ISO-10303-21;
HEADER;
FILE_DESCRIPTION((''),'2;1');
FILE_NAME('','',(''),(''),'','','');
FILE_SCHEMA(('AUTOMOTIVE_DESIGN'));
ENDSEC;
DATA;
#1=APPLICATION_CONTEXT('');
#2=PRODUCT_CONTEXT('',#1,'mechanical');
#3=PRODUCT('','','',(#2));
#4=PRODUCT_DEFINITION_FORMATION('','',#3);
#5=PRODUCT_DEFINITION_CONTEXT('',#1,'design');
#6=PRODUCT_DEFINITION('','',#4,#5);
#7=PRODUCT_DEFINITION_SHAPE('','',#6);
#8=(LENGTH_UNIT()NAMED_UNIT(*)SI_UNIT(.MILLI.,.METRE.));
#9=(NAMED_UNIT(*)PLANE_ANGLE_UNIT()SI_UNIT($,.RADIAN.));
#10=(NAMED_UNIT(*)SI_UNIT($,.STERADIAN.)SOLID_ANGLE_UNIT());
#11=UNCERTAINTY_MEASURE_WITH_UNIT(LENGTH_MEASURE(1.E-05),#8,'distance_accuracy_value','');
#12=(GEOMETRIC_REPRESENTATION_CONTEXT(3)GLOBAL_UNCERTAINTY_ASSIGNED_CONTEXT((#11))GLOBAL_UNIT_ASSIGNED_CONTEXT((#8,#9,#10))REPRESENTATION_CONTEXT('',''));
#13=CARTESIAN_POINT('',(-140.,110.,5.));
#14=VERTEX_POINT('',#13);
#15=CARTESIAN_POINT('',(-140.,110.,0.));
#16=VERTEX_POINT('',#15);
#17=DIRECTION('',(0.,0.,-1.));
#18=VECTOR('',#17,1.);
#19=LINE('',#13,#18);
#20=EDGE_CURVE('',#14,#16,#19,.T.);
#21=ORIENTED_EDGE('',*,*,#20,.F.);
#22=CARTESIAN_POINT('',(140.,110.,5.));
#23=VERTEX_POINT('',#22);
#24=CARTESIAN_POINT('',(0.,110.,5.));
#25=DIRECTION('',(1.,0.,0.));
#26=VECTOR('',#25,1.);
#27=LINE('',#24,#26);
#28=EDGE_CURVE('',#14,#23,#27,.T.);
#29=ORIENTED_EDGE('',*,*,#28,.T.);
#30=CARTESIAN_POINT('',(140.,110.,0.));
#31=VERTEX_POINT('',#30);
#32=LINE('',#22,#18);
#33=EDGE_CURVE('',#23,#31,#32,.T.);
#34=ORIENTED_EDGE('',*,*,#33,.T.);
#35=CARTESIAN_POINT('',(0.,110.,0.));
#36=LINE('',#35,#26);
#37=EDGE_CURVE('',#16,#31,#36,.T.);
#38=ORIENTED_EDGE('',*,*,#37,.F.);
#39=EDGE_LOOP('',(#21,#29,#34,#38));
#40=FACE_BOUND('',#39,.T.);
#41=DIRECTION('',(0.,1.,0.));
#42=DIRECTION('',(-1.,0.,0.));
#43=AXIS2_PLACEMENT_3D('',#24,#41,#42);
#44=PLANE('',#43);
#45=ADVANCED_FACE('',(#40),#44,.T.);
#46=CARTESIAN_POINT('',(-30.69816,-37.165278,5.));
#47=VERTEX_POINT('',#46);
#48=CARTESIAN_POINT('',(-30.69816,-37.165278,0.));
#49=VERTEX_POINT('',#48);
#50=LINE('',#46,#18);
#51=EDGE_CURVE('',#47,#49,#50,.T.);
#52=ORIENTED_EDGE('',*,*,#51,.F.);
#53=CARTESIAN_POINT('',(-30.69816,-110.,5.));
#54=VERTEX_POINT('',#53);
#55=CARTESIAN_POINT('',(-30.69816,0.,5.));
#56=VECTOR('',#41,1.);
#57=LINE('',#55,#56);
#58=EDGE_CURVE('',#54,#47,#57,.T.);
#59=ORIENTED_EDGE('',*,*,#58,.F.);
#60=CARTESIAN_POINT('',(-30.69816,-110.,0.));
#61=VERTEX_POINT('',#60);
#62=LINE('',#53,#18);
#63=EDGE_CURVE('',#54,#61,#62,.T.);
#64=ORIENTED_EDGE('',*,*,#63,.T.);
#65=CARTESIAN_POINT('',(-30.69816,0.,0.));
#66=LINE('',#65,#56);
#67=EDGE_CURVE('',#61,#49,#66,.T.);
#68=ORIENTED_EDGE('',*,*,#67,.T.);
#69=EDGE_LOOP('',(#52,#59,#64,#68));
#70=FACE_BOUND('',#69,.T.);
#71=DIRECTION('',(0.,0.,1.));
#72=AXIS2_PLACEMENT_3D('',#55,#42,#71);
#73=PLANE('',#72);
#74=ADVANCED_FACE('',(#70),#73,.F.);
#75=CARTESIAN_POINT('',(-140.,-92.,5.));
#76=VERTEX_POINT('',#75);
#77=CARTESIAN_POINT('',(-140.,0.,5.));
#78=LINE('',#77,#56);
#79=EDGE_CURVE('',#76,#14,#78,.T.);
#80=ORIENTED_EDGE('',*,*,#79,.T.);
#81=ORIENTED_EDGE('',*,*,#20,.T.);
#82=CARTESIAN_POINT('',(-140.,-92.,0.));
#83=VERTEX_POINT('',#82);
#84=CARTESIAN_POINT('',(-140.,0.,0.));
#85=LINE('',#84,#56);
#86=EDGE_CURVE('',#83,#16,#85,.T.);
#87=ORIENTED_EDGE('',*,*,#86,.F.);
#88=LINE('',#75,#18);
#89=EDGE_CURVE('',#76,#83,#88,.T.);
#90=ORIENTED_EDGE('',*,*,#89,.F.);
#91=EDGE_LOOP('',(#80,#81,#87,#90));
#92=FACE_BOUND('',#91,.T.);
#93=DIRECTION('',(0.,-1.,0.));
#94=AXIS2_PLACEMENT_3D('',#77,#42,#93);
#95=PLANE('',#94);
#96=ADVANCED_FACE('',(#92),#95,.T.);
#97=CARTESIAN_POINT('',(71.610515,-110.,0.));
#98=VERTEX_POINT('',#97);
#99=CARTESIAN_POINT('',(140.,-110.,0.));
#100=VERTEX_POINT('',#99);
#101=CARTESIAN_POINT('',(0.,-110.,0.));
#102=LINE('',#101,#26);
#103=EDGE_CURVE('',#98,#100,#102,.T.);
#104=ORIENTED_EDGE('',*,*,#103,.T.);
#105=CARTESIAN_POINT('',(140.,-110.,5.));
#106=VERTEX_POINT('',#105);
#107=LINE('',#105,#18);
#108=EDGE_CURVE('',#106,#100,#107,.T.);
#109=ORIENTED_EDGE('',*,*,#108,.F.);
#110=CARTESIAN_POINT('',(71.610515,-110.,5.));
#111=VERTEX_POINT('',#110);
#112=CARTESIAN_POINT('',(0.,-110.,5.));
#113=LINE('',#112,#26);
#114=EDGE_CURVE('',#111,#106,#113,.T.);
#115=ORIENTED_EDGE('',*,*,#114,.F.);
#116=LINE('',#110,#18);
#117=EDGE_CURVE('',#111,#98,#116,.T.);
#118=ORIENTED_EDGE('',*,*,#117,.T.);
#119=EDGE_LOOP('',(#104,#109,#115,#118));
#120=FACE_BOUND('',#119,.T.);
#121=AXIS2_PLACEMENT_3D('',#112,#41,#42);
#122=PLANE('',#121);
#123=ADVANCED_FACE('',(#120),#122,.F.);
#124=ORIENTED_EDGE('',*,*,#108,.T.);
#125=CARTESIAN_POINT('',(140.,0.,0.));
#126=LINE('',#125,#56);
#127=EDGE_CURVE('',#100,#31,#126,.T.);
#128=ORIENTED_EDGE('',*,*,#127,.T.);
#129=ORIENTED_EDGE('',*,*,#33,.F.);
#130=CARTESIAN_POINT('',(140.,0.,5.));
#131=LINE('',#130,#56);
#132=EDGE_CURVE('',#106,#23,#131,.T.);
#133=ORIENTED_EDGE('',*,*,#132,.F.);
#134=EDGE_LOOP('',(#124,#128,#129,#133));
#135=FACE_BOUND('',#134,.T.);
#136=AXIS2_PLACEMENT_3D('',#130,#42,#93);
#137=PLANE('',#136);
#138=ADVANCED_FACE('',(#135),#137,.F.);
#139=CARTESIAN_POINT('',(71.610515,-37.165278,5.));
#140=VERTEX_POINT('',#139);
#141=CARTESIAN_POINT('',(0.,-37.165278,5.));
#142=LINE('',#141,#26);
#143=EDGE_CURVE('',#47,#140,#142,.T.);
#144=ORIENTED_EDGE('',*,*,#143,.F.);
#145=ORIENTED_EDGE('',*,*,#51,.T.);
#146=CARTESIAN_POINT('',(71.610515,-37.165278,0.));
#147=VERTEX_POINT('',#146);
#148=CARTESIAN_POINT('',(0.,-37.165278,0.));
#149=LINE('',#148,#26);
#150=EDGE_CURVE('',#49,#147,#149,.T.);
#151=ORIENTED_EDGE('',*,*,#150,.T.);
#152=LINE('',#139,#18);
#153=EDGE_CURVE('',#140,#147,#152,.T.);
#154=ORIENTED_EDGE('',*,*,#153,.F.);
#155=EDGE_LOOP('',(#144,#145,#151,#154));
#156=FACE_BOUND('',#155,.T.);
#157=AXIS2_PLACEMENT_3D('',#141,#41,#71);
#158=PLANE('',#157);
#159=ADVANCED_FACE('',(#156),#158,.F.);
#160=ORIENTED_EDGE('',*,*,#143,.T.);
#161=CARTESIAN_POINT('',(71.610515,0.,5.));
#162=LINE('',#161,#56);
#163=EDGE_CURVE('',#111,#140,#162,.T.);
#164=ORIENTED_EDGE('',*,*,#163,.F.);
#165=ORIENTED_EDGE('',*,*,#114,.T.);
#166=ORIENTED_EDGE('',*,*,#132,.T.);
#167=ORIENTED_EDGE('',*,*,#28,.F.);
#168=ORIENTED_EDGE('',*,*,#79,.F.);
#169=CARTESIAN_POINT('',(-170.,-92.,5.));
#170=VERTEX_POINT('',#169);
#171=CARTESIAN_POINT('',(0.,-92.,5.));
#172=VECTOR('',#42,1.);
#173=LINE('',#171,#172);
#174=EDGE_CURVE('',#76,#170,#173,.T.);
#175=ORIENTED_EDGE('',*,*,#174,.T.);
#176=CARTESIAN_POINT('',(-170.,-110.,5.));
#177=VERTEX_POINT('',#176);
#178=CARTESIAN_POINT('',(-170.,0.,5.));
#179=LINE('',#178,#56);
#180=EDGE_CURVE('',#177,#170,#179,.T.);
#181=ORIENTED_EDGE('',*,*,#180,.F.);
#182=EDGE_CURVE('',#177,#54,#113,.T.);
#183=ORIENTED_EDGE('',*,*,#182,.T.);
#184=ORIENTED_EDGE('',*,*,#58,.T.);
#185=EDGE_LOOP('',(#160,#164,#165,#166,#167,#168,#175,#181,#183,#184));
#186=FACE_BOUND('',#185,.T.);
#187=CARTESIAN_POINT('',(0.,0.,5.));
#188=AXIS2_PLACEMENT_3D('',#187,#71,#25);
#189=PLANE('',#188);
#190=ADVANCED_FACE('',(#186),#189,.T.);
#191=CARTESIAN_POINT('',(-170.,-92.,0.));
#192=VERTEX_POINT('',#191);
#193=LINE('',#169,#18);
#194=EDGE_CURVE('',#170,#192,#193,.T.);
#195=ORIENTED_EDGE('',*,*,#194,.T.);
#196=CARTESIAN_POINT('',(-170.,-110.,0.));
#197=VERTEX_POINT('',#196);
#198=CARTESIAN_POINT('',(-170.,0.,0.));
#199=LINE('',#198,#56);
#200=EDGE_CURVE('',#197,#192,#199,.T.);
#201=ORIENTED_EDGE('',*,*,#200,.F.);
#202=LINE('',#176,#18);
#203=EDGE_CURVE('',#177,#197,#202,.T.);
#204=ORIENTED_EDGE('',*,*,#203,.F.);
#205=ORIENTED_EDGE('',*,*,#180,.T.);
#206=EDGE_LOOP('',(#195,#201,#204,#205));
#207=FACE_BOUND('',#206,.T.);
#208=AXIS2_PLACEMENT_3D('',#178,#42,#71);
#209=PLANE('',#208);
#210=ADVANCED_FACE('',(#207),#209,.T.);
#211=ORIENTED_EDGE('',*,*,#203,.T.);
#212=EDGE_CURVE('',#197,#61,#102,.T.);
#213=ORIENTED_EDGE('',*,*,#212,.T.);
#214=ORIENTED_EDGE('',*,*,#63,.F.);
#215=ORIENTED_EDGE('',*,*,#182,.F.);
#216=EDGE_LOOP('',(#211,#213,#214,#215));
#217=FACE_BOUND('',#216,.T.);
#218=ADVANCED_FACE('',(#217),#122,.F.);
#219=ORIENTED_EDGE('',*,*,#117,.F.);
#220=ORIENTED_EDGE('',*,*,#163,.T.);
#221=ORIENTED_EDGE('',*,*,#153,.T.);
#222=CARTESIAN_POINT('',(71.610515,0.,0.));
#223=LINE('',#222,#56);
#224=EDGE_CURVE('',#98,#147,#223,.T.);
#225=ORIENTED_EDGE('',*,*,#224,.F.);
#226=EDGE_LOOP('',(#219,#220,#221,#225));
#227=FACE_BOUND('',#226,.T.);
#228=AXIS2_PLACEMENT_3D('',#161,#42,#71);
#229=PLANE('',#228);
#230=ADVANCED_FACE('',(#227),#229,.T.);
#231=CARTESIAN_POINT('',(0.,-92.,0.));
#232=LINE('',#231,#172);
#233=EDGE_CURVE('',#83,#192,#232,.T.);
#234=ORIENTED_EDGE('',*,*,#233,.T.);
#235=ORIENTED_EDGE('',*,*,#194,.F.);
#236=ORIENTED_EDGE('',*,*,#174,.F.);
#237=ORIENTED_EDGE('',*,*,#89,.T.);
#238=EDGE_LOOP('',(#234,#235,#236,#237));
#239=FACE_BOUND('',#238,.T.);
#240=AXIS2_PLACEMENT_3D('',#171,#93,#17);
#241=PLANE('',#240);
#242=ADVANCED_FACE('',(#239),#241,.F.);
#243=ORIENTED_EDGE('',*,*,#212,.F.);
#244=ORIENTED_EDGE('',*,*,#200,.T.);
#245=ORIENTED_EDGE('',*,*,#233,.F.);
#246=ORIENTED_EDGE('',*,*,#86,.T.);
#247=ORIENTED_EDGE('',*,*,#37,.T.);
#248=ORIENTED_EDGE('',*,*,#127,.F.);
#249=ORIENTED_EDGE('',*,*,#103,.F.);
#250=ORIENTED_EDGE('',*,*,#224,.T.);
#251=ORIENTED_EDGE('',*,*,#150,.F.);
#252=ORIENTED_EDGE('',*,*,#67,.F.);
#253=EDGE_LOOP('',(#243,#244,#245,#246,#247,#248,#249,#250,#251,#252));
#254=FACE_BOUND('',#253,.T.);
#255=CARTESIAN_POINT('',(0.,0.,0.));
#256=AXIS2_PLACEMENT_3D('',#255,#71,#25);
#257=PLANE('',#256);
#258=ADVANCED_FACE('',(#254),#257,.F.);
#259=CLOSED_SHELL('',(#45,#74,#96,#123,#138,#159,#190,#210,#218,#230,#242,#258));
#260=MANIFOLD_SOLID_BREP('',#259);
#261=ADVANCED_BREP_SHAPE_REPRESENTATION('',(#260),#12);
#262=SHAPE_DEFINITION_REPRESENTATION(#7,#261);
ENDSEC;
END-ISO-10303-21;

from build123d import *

# Parameters (mm, degrees)
BOSS_EXTRUDE1_DEPTH = 5


with BuildPart() as part:
    # Sketch1 → Boss-Extrude1 (new body)
    with BuildSketch(Plane.XY):
        Polygon((-140, 110), (-140, -92), (-170, -92), (-170, -110), (-30.698160058, -110), (-30.698160058, -37.165278239), (71.610514859, -37.165278239), (71.610514859, -110), (140, -110), (140, 110), align=None)
    extrude(amount=BOSS_EXTRUDE1_DEPTH)


solid = part.part
